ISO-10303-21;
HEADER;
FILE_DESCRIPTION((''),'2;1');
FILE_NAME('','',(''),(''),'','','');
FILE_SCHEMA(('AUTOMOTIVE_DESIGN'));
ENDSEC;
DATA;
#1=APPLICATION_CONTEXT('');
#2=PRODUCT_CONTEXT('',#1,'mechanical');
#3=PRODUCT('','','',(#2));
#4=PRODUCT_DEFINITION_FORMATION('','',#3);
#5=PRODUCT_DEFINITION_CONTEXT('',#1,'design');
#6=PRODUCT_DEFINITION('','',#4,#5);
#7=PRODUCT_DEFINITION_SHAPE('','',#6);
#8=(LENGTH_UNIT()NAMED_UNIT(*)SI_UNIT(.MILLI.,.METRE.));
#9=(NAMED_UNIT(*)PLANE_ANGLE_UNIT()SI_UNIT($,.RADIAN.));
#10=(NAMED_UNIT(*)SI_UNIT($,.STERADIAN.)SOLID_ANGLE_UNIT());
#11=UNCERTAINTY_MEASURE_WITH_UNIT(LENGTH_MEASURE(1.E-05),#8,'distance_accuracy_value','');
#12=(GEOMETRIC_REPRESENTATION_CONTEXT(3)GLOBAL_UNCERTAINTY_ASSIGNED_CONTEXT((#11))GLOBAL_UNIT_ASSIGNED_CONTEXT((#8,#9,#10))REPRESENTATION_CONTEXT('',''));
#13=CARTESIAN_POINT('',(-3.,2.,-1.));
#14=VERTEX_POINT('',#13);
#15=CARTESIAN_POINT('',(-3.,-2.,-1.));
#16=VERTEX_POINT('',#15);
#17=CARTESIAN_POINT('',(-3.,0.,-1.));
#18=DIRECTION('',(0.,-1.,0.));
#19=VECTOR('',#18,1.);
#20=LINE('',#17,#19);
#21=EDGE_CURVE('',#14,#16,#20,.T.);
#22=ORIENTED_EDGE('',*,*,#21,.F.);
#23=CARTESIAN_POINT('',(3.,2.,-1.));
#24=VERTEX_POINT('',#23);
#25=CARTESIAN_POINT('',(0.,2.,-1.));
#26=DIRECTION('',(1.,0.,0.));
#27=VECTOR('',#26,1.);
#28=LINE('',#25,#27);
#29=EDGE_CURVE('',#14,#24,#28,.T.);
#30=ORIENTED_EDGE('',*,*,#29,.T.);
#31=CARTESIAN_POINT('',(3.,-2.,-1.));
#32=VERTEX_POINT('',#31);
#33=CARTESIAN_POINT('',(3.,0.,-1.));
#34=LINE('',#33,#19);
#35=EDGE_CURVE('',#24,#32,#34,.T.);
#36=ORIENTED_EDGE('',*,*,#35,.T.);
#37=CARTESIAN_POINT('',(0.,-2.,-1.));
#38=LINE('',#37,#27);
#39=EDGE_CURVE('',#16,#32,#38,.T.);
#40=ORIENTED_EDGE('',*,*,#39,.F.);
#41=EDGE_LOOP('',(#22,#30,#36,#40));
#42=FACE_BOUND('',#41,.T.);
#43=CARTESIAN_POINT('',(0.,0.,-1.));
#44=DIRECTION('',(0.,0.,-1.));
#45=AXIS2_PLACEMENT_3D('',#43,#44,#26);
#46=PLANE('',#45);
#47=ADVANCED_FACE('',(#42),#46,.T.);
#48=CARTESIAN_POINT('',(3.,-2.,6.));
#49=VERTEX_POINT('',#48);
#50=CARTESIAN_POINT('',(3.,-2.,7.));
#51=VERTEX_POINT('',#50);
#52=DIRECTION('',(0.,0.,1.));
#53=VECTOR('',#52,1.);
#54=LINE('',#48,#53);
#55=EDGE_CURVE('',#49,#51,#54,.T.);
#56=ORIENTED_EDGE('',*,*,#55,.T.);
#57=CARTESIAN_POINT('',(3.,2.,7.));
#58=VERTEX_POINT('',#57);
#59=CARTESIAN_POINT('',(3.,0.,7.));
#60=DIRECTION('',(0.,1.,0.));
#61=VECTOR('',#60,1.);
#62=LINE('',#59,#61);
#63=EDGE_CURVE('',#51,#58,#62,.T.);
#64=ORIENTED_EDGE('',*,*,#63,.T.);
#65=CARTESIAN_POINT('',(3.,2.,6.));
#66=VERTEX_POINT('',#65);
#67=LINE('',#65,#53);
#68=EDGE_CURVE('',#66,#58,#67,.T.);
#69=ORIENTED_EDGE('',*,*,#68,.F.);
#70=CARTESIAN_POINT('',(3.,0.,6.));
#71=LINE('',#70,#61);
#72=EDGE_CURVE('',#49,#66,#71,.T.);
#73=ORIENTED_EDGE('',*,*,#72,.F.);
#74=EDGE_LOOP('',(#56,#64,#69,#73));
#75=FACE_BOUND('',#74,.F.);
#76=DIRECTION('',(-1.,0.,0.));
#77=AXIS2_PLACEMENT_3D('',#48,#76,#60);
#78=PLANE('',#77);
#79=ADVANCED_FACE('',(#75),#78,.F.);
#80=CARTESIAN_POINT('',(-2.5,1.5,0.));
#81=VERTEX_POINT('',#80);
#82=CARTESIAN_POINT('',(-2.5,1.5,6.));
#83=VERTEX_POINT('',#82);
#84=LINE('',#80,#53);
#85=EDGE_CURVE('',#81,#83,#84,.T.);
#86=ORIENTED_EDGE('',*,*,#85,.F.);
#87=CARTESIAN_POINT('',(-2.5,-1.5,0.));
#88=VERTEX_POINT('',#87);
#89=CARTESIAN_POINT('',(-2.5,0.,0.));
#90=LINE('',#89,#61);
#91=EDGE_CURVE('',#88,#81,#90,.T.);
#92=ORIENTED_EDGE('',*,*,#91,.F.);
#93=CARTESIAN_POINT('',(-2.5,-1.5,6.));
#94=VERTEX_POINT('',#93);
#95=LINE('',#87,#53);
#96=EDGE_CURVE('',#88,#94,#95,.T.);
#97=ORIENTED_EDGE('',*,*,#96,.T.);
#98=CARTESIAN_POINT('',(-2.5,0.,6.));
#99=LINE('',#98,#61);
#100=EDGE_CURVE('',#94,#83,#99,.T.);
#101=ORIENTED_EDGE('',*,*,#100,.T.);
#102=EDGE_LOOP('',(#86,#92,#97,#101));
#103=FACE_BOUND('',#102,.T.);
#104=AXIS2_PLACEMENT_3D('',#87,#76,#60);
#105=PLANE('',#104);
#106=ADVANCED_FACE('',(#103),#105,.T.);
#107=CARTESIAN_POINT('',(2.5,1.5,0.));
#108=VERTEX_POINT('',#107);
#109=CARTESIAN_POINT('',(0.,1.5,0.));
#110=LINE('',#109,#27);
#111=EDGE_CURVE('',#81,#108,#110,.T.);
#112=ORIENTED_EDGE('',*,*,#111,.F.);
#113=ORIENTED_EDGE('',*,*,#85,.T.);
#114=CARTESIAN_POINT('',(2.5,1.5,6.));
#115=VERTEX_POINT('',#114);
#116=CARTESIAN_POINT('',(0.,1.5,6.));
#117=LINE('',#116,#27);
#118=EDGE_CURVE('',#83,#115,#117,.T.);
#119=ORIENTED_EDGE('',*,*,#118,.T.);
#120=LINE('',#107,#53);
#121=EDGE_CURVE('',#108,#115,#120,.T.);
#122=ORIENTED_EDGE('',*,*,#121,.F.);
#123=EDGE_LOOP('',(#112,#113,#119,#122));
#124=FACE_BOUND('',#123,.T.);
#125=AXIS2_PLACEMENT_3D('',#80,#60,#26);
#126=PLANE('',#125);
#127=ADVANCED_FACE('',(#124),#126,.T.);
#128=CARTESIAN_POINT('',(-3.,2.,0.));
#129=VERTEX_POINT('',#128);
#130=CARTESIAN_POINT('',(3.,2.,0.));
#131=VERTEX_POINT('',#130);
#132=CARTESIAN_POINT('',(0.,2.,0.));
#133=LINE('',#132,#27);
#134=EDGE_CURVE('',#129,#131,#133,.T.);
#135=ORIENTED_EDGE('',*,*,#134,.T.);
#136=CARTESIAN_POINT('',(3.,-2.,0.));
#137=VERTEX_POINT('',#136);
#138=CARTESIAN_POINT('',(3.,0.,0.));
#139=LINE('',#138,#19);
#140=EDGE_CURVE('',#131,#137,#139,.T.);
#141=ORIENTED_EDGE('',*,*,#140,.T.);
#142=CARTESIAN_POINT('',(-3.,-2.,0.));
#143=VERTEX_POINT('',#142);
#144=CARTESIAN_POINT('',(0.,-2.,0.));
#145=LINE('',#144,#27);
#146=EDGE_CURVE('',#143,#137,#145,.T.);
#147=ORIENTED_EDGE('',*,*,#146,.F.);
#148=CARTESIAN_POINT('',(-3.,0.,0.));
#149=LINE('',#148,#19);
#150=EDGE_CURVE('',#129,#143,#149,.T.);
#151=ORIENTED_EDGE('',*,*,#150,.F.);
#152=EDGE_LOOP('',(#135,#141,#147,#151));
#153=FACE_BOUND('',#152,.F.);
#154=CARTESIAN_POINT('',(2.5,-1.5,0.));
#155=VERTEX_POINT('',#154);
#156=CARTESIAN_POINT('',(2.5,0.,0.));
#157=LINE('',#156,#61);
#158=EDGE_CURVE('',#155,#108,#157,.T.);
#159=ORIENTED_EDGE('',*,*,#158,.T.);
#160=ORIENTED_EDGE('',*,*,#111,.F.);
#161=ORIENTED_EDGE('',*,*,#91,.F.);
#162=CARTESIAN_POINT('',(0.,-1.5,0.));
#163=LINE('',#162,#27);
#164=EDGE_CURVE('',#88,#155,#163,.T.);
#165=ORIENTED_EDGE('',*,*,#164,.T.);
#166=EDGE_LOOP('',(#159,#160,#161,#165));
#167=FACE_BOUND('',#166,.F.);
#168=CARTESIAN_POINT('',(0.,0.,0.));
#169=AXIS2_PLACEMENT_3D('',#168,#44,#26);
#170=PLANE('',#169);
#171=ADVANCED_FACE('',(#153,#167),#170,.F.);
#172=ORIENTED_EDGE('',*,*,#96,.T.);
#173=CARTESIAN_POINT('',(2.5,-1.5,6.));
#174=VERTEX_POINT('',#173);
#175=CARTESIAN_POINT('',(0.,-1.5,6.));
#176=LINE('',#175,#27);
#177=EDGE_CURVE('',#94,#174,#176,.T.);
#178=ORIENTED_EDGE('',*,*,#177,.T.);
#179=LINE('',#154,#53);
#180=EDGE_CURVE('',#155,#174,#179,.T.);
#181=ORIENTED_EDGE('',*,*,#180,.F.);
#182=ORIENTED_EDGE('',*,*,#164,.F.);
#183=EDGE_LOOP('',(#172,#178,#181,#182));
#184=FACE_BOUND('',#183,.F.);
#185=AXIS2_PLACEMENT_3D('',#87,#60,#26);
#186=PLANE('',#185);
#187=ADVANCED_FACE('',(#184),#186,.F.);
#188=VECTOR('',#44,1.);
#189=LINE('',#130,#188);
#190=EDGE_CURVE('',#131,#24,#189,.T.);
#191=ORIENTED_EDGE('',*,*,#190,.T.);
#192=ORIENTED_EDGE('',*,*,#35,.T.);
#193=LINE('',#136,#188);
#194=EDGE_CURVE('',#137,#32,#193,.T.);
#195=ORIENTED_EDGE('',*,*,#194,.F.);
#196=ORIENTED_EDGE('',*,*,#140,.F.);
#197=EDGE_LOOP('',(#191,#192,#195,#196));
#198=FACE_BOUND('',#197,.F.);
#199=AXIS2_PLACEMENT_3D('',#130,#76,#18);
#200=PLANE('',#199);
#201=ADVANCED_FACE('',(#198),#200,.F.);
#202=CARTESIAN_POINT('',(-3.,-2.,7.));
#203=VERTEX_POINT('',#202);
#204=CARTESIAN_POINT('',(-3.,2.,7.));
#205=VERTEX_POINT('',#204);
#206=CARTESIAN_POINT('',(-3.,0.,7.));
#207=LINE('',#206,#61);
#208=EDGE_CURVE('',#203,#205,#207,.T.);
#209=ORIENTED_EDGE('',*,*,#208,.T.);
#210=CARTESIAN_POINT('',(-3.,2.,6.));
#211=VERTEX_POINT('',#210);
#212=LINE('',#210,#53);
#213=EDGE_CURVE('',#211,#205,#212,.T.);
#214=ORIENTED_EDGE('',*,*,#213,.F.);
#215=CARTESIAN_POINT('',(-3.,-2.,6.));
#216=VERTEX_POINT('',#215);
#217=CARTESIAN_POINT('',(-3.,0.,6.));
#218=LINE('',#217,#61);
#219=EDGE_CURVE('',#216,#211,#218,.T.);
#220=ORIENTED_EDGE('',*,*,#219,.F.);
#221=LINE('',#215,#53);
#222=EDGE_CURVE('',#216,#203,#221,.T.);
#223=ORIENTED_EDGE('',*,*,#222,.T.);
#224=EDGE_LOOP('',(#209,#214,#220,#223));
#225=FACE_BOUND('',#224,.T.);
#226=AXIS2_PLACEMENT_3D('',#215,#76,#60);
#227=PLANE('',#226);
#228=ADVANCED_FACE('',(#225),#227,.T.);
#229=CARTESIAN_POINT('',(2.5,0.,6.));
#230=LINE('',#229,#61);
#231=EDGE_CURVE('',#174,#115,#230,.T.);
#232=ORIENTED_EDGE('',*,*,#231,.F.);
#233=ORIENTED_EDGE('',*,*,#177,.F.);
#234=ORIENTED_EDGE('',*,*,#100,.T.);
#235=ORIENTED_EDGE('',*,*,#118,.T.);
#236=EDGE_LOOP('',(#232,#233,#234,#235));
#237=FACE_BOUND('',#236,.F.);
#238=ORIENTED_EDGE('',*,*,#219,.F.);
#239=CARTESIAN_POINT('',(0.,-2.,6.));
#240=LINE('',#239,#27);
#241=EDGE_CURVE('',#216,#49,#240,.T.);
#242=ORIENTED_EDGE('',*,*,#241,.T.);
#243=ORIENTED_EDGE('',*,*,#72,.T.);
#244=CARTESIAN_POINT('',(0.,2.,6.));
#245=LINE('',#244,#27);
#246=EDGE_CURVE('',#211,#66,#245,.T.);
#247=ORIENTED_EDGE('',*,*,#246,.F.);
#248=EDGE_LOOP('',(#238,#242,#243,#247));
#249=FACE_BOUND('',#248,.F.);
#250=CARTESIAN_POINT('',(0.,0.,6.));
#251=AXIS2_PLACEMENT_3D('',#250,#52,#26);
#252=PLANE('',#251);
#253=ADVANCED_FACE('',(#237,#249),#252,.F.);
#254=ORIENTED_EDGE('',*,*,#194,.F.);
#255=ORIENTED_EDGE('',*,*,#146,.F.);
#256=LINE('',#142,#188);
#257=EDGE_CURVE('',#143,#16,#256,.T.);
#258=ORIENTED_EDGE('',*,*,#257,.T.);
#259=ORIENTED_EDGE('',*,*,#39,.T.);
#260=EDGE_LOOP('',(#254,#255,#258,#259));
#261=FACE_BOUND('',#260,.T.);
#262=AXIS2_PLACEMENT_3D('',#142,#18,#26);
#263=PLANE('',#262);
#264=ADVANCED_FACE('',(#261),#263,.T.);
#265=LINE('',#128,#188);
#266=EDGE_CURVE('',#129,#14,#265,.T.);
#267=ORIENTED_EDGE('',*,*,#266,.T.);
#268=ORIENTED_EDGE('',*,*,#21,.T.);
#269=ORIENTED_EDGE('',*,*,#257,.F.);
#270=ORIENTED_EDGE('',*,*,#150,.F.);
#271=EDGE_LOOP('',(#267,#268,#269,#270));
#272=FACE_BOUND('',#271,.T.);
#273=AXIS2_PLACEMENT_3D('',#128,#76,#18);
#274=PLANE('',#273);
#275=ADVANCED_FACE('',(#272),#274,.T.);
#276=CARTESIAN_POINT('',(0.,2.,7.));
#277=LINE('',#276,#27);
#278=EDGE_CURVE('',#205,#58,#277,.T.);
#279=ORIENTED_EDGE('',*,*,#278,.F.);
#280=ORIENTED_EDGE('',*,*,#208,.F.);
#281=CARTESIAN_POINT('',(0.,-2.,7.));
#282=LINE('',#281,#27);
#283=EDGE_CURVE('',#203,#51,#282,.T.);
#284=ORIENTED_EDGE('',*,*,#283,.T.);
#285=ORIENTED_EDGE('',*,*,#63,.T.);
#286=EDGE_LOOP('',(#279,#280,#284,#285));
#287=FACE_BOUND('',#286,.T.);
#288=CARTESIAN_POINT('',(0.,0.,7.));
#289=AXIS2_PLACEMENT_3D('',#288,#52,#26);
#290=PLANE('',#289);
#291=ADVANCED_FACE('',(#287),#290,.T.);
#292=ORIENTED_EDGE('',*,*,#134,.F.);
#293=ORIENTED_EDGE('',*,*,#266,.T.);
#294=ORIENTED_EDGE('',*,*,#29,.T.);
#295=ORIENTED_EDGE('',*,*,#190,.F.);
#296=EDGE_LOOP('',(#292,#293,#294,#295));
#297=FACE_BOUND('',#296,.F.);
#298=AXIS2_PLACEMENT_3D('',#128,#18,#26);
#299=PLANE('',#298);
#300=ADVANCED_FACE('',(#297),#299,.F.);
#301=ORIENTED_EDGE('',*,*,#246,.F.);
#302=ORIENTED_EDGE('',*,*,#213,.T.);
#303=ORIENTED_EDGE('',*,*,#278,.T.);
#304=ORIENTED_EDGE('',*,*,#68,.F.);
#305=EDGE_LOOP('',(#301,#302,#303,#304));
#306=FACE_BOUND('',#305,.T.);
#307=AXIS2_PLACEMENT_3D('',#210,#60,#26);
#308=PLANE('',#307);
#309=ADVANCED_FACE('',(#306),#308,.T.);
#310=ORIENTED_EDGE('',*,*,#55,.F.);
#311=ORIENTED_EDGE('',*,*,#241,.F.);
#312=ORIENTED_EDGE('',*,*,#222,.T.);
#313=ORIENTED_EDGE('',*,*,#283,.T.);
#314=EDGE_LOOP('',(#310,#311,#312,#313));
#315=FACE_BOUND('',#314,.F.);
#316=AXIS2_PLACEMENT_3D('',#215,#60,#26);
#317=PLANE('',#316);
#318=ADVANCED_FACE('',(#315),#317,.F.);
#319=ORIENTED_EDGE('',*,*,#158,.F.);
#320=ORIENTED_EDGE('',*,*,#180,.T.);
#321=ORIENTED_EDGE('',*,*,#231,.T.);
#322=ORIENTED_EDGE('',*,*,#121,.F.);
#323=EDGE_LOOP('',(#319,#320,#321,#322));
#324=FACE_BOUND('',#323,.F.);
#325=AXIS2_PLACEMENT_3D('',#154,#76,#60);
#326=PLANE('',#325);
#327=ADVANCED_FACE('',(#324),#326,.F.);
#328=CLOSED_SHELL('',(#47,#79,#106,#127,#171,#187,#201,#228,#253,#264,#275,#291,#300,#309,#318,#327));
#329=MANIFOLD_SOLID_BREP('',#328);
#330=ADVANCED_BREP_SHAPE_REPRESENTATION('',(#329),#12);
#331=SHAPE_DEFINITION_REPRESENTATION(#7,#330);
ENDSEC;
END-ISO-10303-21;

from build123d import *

# Parameters (mm, degrees)
F0_W     = 5
F0_H     = 3
F1_DEPTH = 6
F2_W     = 6
F2_H     = 4
F3_DEPTH = 1
F4_W     = 6
F4_H     = 4
F5_DEPTH = 1


with BuildPart() as f1:
    # F0 (on Top) → F1 (new body)
    with BuildSketch(Plane.XY):
        Rectangle(F0_W, F0_H)
    extrude(amount=F1_DEPTH)

    # F2 (on face) → F3 (join)
    with BuildSketch(Plane.XY.offset(6)):
        Rectangle(F2_W, F2_H)
    extrude(amount=F3_DEPTH)

    # F4 (on face) → F5 (join)
    with BuildSketch(Plane(origin=(0, 0, 0), x_dir=(1, 0, 0), z_dir=(0, 0, -1))):
        Rectangle(F4_W, F4_H)
    extrude(amount=F5_DEPTH)


solid = f1.part
